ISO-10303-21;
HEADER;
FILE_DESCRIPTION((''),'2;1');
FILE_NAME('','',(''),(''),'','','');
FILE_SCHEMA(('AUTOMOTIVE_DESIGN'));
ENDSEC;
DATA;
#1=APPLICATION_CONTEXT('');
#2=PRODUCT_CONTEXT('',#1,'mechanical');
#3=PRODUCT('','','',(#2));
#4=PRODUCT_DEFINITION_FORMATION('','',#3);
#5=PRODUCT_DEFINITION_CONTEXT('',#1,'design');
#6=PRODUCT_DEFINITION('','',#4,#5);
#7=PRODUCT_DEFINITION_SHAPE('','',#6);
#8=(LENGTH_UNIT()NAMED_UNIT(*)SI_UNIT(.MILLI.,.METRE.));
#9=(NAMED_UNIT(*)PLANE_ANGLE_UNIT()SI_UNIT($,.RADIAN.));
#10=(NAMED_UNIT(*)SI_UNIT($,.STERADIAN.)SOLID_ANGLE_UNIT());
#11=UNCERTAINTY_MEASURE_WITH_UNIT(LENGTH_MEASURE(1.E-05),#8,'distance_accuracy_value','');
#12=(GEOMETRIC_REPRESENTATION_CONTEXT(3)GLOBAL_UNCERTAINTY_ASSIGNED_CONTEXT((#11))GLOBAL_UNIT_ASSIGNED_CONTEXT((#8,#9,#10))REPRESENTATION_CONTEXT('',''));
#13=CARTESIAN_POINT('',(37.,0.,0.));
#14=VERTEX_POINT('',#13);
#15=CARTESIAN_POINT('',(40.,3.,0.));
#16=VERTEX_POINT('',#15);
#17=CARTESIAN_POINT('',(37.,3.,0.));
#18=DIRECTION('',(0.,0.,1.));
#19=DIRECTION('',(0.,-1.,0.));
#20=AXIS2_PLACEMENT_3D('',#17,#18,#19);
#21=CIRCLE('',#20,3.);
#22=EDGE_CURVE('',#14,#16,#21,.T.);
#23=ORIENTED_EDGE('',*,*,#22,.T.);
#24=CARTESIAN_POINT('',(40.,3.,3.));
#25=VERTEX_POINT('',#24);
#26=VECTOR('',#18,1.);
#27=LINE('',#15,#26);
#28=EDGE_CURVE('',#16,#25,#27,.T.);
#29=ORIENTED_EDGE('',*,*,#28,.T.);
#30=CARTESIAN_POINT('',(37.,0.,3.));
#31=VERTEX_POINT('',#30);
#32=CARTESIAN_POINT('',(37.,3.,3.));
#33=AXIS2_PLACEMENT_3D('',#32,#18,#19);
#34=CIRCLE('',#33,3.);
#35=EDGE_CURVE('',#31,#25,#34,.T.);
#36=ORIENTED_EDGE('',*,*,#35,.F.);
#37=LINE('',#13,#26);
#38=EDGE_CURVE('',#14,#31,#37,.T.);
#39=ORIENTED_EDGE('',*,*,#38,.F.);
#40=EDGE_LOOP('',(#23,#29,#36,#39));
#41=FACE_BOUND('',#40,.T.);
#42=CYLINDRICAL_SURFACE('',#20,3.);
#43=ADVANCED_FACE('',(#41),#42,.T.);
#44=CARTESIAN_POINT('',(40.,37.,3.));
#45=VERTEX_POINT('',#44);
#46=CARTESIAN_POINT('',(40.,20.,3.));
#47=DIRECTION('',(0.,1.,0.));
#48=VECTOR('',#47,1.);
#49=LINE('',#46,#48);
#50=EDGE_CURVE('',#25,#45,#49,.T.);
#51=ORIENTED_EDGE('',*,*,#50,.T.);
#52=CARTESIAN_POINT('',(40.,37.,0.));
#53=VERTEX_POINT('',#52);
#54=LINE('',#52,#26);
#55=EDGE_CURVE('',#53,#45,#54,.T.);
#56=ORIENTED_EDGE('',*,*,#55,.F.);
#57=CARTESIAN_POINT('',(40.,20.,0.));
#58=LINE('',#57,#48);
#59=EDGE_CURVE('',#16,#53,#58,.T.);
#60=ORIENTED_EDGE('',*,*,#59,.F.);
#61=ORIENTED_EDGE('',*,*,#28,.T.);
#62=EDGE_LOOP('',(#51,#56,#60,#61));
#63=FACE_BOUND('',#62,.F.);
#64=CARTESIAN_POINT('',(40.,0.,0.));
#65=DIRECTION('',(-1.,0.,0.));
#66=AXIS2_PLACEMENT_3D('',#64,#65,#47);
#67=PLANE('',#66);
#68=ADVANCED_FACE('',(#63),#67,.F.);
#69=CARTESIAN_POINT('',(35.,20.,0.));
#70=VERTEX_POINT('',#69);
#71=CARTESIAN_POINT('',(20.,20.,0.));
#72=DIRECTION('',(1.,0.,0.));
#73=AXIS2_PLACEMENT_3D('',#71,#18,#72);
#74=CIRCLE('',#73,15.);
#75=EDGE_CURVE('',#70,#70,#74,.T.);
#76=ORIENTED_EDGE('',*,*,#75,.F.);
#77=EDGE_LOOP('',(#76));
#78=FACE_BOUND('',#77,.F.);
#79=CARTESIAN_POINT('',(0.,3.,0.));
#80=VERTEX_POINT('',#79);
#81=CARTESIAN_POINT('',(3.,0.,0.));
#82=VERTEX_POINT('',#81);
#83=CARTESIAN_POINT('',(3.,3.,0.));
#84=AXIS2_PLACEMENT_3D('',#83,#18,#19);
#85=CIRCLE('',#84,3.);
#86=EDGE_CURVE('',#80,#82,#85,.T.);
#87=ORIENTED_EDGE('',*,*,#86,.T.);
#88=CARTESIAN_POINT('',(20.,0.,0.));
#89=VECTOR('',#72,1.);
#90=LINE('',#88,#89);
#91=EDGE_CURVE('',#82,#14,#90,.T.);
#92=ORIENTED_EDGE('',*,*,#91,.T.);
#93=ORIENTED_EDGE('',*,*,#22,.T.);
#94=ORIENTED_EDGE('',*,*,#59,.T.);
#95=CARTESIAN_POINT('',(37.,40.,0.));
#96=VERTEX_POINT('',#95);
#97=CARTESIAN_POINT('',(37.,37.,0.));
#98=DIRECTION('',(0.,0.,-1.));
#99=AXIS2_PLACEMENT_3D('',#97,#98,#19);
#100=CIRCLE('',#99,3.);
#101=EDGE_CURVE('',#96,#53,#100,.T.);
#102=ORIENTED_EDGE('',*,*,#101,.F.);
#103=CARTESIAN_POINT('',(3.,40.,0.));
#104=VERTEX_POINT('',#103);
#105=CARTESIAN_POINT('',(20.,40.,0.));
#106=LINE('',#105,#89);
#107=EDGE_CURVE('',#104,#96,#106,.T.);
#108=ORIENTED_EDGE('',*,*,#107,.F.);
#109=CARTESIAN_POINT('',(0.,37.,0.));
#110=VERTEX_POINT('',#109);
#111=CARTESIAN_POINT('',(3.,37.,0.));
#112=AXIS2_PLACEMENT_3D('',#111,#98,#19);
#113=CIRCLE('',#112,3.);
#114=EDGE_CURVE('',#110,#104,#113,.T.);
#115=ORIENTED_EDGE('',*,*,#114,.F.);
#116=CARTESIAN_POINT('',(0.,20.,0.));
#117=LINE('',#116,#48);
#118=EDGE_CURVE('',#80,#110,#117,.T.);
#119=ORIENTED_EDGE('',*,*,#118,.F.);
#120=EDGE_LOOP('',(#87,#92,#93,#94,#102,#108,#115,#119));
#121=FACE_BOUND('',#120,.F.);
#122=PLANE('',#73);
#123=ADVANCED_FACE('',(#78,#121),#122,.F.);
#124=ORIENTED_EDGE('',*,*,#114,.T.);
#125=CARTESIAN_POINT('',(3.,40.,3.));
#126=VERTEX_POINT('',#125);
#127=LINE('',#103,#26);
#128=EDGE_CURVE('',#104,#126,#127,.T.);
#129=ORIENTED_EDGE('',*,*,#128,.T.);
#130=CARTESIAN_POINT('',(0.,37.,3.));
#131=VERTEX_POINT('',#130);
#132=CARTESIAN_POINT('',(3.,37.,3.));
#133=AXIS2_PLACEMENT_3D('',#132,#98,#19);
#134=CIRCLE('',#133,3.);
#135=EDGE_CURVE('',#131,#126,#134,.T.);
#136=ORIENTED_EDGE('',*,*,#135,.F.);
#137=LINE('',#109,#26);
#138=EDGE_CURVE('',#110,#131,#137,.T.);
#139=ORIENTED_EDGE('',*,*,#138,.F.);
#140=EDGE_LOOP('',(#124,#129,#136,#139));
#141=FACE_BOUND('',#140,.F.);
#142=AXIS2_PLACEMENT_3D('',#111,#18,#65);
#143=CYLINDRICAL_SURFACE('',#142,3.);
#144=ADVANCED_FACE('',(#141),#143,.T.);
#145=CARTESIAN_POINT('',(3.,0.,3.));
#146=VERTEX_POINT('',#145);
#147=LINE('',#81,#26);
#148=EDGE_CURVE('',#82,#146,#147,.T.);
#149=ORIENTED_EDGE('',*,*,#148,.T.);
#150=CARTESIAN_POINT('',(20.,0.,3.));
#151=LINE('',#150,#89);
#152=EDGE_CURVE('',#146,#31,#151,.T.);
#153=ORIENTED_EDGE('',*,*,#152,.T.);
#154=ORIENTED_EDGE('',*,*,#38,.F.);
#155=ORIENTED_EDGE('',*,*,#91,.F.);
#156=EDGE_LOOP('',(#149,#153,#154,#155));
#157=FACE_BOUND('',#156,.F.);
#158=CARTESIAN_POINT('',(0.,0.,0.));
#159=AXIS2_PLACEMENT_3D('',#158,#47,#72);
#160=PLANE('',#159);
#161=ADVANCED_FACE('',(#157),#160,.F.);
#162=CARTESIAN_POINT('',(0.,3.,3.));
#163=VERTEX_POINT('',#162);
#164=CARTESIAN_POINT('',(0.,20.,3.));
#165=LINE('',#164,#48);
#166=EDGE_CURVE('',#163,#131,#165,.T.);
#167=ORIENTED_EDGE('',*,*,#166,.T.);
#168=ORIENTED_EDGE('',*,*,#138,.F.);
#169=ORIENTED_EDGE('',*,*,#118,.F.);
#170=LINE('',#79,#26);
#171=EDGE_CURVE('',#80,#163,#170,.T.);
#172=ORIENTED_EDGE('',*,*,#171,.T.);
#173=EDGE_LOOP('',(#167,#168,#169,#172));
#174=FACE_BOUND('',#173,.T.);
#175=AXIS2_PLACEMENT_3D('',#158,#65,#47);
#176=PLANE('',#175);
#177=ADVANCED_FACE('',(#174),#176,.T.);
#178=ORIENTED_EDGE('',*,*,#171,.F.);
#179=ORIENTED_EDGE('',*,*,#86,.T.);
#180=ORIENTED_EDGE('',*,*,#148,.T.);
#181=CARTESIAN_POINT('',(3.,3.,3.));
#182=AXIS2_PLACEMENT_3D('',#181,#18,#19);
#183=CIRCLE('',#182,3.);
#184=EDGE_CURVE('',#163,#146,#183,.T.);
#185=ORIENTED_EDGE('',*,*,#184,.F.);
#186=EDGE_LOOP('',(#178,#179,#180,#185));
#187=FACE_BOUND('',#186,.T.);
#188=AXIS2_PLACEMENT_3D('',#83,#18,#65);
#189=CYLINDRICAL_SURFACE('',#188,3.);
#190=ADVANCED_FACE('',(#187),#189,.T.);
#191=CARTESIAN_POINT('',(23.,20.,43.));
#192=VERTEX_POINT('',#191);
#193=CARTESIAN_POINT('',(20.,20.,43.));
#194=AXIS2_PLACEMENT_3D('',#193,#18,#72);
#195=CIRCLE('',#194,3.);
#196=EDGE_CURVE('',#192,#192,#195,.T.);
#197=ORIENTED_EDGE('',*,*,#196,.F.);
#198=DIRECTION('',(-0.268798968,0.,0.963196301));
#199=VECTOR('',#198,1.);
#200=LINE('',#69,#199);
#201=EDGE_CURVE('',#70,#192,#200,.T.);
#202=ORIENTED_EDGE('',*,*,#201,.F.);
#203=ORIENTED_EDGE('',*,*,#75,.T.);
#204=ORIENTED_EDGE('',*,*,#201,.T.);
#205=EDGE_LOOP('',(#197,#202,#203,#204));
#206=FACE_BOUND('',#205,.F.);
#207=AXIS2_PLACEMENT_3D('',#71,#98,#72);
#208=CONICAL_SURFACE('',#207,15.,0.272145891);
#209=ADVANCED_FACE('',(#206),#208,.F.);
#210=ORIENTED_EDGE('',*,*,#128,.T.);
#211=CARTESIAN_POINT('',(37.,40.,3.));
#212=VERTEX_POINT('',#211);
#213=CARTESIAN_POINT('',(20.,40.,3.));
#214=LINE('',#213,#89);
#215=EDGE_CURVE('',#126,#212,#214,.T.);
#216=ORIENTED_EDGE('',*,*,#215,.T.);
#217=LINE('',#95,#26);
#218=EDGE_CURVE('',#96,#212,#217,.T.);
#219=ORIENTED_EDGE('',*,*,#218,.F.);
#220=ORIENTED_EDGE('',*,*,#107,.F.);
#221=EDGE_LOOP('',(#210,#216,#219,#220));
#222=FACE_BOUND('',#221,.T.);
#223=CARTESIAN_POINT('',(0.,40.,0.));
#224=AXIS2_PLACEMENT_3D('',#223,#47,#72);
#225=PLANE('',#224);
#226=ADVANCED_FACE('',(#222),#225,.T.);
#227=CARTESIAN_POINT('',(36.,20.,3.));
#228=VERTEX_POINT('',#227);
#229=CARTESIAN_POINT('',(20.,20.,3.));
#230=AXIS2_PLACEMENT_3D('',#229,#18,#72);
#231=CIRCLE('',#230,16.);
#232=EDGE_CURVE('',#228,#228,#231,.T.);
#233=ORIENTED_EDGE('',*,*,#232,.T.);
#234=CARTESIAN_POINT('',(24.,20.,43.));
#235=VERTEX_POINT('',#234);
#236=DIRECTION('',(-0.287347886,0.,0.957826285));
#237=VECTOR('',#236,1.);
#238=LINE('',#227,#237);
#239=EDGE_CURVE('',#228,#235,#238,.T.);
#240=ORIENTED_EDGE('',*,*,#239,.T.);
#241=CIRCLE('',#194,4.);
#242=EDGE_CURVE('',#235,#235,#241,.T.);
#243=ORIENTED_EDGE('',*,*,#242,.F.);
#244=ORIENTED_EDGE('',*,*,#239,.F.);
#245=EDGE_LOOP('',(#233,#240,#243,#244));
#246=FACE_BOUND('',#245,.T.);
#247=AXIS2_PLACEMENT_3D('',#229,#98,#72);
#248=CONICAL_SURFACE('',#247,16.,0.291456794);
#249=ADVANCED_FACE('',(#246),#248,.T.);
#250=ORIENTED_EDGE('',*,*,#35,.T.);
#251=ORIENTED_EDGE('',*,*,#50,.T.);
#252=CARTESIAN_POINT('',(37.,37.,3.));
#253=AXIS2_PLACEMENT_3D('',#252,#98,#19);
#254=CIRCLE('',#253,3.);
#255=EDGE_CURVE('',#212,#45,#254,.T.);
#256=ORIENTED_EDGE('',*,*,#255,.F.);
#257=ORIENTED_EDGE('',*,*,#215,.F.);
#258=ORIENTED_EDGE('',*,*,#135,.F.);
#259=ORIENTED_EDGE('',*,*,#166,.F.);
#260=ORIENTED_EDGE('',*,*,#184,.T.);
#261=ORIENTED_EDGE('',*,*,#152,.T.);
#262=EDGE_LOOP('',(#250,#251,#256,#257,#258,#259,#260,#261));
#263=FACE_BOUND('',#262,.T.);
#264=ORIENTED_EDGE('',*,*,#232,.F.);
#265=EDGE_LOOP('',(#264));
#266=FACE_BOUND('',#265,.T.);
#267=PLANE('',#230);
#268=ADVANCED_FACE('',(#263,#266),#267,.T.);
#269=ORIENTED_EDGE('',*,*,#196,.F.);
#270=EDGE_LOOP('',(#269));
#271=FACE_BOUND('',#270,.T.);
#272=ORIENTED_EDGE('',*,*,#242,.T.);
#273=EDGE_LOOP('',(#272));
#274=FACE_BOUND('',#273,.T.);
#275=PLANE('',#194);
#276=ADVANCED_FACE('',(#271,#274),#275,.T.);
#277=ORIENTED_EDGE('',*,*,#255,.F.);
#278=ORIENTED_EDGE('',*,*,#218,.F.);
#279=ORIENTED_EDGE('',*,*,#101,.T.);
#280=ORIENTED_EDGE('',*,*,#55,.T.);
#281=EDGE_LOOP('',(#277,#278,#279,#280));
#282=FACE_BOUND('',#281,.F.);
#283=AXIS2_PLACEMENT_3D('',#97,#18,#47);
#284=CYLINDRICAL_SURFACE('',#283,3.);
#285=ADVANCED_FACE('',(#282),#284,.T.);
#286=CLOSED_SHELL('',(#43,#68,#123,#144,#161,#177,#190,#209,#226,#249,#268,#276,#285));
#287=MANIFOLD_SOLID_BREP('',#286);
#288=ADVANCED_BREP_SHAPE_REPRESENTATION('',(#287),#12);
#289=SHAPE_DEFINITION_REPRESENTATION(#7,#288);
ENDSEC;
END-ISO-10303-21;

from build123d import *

# Parameters (mm, degrees)
BOX_W     = 40
BOX_H     = 40
BOX_DEPTH = 3
FILLET_R  = 3


with BuildPart() as cono_interior:
    # Cone002 → Cone002 (revolve)
    with BuildSketch(Plane(origin=(20, 20, 0), x_dir=(1, 0, 0), z_dir=(0, -1, 0))):
        Polygon((0, 0), (15, 0), (3, 43), (0, 43), align=None)
    revolve(axis=Axis((20, 20, 0), (0, 0, 1)))


with BuildPart() as cono_ext:
    # Cone → Cone (revolve)
    with BuildSketch(Plane(origin=(20, 20, 3), x_dir=(1, 0, 0), z_dir=(0, -1, 0))):
        Polygon((0, 0), (16, 0), (4, 40), (0, 40), align=None)
    revolve(axis=Axis((20, 20, 3), (0, 0, 1)))


with BuildPart() as cono_redondeado:
    # Box → Box (new body)
    with BuildSketch(Plane.XY):
        with Locations((20, 20)):
            Rectangle(BOX_W, BOX_H)
    extrude(amount=BOX_DEPTH)

    # Fusion: union Cono_ext
    add(cono_ext.part)

    # Cut: cut Cono_interior
    add(cono_interior.part, mode=Mode.SUBTRACT)

    # Fillet
    fillet_edges = [cono_redondeado.edges().sort_by_distance(p)[0] for p in [
        (0, 0, 1.5),
        (0, 40, 1.5),
        (40, 0, 1.5),
        (40, 40, 1.5),
    ]]
    fillet(fillet_edges, radius=FILLET_R)


solid = cono_redondeado.part
